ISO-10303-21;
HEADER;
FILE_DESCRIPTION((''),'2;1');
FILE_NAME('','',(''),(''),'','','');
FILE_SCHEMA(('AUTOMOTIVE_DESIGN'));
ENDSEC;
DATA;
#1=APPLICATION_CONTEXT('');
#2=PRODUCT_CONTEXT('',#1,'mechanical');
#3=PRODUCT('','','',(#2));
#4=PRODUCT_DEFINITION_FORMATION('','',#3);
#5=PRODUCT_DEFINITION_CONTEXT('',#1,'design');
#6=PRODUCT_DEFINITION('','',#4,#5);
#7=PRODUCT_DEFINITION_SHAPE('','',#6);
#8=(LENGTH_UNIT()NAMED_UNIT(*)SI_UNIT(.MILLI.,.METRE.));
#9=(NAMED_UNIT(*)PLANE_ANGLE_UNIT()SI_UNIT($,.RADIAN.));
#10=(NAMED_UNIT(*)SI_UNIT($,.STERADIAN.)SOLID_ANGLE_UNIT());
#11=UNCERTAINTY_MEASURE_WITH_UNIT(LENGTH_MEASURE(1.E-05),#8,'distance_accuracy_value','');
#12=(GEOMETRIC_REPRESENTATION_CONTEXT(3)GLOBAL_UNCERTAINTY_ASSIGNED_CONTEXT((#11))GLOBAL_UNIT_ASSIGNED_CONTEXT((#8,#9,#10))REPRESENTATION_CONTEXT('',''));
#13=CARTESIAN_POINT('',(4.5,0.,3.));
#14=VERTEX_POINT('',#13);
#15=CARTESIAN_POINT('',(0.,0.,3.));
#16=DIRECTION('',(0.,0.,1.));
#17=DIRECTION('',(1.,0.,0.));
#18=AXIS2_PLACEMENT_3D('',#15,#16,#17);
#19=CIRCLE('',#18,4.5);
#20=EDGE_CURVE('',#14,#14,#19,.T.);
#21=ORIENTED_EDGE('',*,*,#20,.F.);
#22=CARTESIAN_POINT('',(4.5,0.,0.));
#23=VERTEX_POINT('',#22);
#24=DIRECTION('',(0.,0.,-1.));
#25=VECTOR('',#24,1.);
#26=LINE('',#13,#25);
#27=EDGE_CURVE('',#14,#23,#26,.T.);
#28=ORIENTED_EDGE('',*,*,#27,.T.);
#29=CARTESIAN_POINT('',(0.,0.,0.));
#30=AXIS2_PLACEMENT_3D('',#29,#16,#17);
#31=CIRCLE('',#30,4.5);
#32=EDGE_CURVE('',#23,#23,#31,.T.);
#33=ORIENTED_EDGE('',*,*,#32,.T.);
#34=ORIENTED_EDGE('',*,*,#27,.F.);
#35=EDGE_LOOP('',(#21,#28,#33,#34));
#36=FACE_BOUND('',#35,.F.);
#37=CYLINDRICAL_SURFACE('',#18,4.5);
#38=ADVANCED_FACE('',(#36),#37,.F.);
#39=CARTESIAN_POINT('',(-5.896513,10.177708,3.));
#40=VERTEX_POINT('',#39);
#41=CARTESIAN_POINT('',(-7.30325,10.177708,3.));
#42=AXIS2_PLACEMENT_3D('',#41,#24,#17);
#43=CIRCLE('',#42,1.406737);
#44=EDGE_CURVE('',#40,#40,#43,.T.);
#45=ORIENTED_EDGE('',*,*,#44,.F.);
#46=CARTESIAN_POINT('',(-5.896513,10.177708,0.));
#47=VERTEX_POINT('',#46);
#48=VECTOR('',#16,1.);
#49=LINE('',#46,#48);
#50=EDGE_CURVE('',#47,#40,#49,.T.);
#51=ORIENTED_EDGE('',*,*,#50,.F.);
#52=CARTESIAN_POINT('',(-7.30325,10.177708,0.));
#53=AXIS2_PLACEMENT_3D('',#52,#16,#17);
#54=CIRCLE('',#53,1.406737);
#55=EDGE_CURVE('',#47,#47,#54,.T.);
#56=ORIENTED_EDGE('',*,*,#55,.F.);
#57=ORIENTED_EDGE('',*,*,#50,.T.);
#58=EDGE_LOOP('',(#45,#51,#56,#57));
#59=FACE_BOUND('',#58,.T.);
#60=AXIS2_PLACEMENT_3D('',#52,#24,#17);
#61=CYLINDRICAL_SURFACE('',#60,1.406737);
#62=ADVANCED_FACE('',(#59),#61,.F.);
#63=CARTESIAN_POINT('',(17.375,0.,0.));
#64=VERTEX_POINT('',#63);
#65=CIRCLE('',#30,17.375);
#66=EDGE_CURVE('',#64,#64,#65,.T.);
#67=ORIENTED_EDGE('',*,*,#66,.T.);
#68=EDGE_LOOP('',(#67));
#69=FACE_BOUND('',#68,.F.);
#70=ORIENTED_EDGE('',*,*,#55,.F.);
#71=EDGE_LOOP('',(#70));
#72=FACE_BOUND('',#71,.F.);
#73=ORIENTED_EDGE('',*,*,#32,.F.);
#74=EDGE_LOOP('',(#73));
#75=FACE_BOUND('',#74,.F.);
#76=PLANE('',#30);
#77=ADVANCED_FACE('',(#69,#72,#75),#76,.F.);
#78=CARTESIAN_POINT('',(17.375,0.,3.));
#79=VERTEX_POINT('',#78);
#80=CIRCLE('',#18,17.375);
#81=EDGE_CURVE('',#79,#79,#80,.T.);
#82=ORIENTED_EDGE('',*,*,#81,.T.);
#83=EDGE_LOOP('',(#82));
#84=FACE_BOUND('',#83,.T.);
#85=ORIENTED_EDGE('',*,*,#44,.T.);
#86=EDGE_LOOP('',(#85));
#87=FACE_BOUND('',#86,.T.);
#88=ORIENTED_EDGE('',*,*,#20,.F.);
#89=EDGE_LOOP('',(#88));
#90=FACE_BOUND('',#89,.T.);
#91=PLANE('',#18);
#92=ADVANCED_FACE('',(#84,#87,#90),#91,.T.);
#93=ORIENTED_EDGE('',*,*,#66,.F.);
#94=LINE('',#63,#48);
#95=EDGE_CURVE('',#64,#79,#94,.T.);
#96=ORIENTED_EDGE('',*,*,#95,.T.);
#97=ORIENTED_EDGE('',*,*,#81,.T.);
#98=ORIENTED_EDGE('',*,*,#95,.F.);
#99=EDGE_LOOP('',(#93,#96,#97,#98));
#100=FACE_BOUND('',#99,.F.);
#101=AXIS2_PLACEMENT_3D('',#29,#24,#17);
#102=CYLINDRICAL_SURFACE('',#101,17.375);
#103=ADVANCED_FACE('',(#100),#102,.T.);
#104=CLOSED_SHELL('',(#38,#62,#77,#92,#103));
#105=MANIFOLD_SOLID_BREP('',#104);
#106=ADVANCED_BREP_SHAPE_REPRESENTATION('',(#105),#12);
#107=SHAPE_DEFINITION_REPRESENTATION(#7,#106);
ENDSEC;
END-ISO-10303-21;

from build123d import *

# Parameters (mm, degrees)
F0_R     = 17.375
F1_DEPTH = 3
F2_R     = 4.5
F3_DEPTH = 25.4
F4_R     = 1.406737
F5_DEPTH = 25


with BuildPart() as f1:
    # F0 (on Top) → F1 (new body)
    with BuildSketch(Plane.XY):
        Circle(F0_R)
    extrude(amount=F1_DEPTH)

    # F2 (on face) → F3 (cut)
    with BuildSketch(Plane.XY.offset(3)):
        Circle(F2_R)
    extrude(amount=-F3_DEPTH, mode=Mode.SUBTRACT)

    # F4 (on Top) → F5 (cut)
    with BuildSketch(Plane.XY):
        with Locations((-7.30325, 10.177708)):
            Circle(F4_R)
    extrude(amount=F5_DEPTH, mode=Mode.SUBTRACT)


solid = f1.part
